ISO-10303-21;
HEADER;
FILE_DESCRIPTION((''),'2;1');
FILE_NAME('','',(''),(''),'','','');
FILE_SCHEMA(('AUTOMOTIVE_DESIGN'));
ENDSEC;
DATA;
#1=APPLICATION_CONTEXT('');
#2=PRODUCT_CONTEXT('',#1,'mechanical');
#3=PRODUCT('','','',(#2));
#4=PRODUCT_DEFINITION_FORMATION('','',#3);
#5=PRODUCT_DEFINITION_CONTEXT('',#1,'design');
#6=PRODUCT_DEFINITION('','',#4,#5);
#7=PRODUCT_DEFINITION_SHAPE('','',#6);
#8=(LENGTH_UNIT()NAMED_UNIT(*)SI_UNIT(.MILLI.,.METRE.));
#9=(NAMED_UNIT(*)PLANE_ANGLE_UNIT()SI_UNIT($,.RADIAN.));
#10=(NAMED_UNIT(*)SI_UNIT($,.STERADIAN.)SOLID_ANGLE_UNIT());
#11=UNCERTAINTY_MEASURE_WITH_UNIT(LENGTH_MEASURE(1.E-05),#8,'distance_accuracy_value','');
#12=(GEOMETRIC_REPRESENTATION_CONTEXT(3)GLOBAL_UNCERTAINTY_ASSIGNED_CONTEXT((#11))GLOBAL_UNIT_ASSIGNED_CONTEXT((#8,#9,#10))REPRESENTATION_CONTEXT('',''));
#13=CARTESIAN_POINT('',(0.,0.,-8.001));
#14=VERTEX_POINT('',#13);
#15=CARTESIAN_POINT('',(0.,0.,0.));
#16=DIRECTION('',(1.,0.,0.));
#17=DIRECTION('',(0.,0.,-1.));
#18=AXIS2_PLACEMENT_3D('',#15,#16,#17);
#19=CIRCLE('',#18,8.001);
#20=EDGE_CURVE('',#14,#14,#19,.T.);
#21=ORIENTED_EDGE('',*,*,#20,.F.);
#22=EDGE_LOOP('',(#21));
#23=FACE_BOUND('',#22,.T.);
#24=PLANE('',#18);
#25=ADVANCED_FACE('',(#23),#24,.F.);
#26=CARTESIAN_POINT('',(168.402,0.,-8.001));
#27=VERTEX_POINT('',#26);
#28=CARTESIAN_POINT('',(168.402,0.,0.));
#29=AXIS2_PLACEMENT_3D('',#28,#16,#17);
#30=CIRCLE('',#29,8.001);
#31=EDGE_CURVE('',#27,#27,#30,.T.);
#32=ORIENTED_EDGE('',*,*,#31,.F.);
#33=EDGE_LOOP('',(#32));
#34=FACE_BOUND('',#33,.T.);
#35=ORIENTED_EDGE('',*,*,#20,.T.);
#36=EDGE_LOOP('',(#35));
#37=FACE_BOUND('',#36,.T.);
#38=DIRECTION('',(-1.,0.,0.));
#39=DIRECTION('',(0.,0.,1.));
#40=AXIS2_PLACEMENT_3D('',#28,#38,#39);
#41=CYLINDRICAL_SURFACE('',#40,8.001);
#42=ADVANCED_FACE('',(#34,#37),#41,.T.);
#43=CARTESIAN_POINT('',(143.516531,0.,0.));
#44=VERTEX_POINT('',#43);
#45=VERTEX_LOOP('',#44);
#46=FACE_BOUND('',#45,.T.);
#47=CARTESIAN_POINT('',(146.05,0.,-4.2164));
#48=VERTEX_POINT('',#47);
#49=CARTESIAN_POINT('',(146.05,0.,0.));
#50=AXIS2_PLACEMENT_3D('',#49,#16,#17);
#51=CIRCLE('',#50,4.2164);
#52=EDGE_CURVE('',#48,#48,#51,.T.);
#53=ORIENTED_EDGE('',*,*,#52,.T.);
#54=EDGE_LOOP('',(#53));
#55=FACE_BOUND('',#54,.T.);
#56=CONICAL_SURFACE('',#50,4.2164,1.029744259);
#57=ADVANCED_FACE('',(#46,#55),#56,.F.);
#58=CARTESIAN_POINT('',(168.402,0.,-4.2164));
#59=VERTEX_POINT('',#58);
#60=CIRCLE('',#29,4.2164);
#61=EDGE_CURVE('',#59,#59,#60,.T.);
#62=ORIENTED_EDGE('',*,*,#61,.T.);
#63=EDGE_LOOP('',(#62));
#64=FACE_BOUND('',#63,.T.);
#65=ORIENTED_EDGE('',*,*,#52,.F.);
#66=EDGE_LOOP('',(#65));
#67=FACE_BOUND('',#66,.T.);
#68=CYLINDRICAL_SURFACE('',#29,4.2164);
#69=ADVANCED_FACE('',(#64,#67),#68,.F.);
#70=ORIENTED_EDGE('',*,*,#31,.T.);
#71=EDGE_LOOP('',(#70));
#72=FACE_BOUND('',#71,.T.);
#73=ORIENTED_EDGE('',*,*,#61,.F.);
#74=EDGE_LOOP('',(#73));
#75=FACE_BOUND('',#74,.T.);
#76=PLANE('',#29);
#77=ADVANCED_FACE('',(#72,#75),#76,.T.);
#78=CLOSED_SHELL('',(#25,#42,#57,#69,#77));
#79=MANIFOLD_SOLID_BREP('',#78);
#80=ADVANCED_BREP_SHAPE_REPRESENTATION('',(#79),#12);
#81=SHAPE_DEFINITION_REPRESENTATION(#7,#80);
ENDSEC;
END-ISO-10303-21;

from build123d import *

# Parameters (mm, degrees)
SKETCH1_R                   = 8.001
BOSS_EXTRUDE1_DEPTH         = 168.402
F_3_8_24_TAPPED_HOLE1_D     = 8.4328
F_3_8_24_TAPPED_HOLE1_DEPTH = 22.352
F_3_8_24_TAPPED_HOLE1_TIP   = 2.533468714


with BuildPart() as part:
    # Sketch1 → Boss-Extrude1 (new body)
    with BuildSketch(Plane(origin=(0, 0, 0), x_dir=(0, 0, -1), z_dir=(1, 0, 0))):
        Circle(SKETCH1_R)
    extrude(amount=BOSS_EXTRUDE1_DEPTH)

    # 3/8-24 Tapped Hole1
    with Locations(Plane(origin=(168.402, 0, 0), x_dir=(0, 0, -1), z_dir=(1, 0, 0))):
        with Locations((0, 0)):
            Hole(F_3_8_24_TAPPED_HOLE1_D / 2, depth=F_3_8_24_TAPPED_HOLE1_DEPTH)
            with Locations((0, 0, -(F_3_8_24_TAPPED_HOLE1_DEPTH + F_3_8_24_TAPPED_HOLE1_TIP / 2))):  # 118° drill point
                Cone(0, F_3_8_24_TAPPED_HOLE1_D / 2, F_3_8_24_TAPPED_HOLE1_TIP, mode=Mode.SUBTRACT)


solid = part.part
